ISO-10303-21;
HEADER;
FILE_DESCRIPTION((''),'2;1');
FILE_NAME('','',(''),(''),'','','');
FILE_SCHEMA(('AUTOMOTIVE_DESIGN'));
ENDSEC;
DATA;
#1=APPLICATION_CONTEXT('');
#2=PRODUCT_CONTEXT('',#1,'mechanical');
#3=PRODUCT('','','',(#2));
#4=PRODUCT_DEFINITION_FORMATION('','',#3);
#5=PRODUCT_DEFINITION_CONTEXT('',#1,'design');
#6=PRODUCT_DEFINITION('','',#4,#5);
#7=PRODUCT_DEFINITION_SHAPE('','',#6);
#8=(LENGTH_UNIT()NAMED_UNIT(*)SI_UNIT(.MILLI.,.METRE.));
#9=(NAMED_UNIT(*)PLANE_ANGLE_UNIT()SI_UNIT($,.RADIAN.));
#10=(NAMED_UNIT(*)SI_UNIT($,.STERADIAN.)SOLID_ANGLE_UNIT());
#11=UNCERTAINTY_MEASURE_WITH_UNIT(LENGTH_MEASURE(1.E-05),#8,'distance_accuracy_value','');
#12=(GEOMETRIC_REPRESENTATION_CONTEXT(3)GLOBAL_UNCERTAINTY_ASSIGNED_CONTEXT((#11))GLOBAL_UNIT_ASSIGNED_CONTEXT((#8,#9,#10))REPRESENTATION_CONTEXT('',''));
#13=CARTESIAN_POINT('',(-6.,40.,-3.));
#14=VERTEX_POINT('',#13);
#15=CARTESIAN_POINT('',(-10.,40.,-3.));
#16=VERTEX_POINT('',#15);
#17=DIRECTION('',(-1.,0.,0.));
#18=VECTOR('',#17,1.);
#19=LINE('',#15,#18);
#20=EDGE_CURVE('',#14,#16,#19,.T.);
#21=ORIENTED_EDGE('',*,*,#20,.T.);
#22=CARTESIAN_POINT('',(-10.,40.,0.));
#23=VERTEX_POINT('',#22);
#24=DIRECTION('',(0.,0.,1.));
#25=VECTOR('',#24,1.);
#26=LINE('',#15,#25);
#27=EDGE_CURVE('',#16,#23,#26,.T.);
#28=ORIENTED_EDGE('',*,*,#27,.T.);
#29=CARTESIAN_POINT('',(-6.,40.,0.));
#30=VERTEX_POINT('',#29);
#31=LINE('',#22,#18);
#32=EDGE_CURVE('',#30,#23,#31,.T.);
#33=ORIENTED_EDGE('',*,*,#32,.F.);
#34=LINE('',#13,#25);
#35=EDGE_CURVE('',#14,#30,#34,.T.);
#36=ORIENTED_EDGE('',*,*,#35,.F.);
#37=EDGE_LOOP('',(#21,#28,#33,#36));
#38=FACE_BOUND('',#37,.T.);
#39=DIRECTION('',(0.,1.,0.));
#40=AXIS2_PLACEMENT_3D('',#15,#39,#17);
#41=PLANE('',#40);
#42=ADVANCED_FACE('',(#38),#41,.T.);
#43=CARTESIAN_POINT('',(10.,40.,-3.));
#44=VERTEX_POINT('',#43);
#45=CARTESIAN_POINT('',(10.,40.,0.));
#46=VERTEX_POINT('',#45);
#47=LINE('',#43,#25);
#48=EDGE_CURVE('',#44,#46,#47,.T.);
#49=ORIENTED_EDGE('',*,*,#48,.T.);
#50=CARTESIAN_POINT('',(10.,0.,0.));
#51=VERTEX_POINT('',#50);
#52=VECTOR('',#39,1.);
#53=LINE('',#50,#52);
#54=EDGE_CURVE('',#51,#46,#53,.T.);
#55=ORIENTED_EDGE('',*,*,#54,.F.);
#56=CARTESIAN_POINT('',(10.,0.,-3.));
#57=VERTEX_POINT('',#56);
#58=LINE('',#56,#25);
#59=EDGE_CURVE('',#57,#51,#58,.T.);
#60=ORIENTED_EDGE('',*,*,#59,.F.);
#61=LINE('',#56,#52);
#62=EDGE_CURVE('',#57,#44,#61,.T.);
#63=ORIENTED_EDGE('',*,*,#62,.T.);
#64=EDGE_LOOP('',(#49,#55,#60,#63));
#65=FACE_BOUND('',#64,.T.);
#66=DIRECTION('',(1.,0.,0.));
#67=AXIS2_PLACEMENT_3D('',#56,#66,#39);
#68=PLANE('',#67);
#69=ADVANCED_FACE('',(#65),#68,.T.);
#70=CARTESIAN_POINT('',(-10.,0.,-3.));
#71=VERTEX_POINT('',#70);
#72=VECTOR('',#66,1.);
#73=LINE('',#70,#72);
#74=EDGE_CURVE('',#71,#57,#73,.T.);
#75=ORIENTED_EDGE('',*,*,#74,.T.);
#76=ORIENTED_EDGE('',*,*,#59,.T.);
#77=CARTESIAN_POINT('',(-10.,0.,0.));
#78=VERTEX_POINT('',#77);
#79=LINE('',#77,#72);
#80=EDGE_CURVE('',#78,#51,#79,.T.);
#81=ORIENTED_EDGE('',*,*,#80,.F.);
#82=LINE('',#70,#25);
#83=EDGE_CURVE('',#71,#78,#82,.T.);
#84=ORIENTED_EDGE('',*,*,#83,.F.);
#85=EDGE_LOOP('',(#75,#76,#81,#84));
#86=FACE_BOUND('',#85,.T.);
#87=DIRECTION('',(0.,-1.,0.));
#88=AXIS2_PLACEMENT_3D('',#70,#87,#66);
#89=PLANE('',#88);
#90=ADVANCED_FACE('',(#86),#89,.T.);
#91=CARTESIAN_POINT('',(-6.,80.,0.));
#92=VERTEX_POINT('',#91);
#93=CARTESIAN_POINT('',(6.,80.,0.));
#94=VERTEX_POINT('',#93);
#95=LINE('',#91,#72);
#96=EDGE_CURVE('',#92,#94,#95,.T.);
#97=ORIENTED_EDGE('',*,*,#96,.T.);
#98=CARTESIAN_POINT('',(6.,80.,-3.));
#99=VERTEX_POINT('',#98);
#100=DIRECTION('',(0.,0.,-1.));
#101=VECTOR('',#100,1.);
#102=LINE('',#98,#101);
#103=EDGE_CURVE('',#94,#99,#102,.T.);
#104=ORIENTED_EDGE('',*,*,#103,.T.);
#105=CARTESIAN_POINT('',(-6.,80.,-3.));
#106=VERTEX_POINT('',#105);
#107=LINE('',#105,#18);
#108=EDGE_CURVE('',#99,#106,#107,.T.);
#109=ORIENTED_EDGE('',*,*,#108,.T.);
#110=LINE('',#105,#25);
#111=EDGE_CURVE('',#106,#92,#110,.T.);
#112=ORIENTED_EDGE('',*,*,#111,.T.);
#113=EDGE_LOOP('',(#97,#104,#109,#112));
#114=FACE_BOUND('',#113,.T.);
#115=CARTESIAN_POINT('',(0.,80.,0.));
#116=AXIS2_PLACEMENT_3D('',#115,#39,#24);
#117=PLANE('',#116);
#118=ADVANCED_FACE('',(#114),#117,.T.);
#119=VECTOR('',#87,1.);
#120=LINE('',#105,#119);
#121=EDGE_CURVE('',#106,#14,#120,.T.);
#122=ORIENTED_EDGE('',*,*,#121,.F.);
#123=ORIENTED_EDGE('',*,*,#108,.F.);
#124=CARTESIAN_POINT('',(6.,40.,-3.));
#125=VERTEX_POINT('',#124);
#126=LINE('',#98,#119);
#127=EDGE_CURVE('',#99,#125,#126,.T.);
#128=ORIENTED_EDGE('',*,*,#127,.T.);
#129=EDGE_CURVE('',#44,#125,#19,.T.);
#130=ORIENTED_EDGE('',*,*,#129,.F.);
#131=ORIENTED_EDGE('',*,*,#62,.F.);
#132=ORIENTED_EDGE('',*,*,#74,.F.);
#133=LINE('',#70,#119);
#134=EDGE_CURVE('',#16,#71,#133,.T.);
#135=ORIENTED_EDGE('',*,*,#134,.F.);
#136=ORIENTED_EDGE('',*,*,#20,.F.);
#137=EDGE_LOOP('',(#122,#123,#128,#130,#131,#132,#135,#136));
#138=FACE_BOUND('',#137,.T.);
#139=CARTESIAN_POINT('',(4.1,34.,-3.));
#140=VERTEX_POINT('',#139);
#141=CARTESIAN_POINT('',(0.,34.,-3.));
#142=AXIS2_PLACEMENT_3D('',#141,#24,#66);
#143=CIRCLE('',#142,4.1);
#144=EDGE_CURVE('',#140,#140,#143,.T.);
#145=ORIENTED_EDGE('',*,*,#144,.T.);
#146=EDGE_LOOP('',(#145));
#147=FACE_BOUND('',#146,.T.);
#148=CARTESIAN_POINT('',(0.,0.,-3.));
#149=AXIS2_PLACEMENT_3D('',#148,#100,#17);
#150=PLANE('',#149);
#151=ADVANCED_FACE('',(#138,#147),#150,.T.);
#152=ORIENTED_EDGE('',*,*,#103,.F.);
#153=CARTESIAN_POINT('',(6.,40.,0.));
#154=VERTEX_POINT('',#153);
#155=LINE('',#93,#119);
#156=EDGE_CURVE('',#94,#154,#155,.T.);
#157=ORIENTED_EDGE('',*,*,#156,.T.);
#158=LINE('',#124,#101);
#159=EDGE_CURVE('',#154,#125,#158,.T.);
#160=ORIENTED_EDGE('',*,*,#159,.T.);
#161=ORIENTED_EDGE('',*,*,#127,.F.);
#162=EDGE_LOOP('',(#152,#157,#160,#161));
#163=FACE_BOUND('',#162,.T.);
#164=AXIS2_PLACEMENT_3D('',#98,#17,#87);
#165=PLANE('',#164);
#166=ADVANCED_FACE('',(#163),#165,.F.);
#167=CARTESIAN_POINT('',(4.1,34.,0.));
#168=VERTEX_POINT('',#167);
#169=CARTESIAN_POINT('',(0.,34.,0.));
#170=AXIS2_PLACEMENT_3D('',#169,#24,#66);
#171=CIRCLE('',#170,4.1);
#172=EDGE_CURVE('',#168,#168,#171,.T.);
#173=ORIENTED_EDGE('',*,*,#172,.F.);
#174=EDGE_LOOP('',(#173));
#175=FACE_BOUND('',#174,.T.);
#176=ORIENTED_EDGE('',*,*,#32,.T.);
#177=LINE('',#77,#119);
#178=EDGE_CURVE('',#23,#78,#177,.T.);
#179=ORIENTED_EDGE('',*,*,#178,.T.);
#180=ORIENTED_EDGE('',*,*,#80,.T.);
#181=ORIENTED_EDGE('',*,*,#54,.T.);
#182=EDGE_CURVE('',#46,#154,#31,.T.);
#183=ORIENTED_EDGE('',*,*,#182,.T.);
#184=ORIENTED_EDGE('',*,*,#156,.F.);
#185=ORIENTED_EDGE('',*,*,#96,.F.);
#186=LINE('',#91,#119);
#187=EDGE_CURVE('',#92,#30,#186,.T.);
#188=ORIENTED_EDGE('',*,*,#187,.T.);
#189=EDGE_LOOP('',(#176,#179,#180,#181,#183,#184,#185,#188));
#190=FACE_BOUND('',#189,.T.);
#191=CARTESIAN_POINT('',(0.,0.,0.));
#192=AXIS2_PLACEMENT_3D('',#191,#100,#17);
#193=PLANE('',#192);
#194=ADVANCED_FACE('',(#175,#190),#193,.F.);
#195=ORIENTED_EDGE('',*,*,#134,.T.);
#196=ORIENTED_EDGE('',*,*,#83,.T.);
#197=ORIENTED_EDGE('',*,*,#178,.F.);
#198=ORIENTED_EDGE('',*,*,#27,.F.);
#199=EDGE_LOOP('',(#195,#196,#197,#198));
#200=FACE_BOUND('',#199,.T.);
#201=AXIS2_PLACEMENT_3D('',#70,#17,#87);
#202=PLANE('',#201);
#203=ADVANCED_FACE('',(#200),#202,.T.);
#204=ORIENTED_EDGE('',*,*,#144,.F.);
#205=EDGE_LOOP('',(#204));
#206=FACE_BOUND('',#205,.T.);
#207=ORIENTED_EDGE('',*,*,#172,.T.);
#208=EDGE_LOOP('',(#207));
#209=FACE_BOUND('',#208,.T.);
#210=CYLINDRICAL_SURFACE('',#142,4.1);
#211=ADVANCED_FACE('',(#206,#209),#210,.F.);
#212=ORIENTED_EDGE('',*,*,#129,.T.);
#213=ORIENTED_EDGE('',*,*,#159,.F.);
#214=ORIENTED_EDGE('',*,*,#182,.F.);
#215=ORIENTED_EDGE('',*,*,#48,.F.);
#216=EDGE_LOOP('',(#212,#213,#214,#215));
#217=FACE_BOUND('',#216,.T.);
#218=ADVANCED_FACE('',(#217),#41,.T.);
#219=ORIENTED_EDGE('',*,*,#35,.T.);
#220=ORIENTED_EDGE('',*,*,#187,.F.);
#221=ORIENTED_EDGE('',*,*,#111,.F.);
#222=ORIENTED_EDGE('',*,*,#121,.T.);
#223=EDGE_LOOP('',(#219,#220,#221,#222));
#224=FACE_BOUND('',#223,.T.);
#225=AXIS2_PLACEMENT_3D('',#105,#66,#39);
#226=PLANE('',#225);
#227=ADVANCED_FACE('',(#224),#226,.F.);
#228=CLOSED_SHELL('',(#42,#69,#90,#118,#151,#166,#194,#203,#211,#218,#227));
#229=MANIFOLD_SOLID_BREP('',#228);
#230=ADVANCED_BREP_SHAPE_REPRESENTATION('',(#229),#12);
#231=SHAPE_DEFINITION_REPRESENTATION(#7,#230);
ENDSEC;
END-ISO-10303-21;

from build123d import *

# Parameters (mm, degrees)
SKETCH1_W           = 20
SKETCH1_H           = 40
BOSS_EXTRUDE1_DEPTH = 3
SKETCH2_R           = 4.1
CUT_EXTRUDE1_DEPTH  = 3
SKETCH3_W           = 12
SKETCH3_H           = 3
BOSS_EXTRUDE2_DEPTH = 40


with BuildPart() as part:
    # Sketch1 → Boss-Extrude1 (new body)
    with BuildSketch(Plane.XY):
        with Locations((0, 20)):
            Rectangle(SKETCH1_W, SKETCH1_H)
    extrude(amount=-BOSS_EXTRUDE1_DEPTH)

    # Sketch2 → Cut-Extrude1 (cut)
    with BuildSketch(Plane.XY):
        with Locations((0, 34)):
            Circle(SKETCH2_R)
    extrude(amount=-CUT_EXTRUDE1_DEPTH, mode=Mode.SUBTRACT)

    # Sketch3 → Boss-Extrude2 (add)
    with BuildSketch(Plane(origin=(0, 40, 0), x_dir=(1, 0, 0), z_dir=(0, 1, 0))):
        with Locations((0, 1.5)):
            Rectangle(SKETCH3_W, SKETCH3_H)
    extrude(amount=BOSS_EXTRUDE2_DEPTH)


solid = part.part
